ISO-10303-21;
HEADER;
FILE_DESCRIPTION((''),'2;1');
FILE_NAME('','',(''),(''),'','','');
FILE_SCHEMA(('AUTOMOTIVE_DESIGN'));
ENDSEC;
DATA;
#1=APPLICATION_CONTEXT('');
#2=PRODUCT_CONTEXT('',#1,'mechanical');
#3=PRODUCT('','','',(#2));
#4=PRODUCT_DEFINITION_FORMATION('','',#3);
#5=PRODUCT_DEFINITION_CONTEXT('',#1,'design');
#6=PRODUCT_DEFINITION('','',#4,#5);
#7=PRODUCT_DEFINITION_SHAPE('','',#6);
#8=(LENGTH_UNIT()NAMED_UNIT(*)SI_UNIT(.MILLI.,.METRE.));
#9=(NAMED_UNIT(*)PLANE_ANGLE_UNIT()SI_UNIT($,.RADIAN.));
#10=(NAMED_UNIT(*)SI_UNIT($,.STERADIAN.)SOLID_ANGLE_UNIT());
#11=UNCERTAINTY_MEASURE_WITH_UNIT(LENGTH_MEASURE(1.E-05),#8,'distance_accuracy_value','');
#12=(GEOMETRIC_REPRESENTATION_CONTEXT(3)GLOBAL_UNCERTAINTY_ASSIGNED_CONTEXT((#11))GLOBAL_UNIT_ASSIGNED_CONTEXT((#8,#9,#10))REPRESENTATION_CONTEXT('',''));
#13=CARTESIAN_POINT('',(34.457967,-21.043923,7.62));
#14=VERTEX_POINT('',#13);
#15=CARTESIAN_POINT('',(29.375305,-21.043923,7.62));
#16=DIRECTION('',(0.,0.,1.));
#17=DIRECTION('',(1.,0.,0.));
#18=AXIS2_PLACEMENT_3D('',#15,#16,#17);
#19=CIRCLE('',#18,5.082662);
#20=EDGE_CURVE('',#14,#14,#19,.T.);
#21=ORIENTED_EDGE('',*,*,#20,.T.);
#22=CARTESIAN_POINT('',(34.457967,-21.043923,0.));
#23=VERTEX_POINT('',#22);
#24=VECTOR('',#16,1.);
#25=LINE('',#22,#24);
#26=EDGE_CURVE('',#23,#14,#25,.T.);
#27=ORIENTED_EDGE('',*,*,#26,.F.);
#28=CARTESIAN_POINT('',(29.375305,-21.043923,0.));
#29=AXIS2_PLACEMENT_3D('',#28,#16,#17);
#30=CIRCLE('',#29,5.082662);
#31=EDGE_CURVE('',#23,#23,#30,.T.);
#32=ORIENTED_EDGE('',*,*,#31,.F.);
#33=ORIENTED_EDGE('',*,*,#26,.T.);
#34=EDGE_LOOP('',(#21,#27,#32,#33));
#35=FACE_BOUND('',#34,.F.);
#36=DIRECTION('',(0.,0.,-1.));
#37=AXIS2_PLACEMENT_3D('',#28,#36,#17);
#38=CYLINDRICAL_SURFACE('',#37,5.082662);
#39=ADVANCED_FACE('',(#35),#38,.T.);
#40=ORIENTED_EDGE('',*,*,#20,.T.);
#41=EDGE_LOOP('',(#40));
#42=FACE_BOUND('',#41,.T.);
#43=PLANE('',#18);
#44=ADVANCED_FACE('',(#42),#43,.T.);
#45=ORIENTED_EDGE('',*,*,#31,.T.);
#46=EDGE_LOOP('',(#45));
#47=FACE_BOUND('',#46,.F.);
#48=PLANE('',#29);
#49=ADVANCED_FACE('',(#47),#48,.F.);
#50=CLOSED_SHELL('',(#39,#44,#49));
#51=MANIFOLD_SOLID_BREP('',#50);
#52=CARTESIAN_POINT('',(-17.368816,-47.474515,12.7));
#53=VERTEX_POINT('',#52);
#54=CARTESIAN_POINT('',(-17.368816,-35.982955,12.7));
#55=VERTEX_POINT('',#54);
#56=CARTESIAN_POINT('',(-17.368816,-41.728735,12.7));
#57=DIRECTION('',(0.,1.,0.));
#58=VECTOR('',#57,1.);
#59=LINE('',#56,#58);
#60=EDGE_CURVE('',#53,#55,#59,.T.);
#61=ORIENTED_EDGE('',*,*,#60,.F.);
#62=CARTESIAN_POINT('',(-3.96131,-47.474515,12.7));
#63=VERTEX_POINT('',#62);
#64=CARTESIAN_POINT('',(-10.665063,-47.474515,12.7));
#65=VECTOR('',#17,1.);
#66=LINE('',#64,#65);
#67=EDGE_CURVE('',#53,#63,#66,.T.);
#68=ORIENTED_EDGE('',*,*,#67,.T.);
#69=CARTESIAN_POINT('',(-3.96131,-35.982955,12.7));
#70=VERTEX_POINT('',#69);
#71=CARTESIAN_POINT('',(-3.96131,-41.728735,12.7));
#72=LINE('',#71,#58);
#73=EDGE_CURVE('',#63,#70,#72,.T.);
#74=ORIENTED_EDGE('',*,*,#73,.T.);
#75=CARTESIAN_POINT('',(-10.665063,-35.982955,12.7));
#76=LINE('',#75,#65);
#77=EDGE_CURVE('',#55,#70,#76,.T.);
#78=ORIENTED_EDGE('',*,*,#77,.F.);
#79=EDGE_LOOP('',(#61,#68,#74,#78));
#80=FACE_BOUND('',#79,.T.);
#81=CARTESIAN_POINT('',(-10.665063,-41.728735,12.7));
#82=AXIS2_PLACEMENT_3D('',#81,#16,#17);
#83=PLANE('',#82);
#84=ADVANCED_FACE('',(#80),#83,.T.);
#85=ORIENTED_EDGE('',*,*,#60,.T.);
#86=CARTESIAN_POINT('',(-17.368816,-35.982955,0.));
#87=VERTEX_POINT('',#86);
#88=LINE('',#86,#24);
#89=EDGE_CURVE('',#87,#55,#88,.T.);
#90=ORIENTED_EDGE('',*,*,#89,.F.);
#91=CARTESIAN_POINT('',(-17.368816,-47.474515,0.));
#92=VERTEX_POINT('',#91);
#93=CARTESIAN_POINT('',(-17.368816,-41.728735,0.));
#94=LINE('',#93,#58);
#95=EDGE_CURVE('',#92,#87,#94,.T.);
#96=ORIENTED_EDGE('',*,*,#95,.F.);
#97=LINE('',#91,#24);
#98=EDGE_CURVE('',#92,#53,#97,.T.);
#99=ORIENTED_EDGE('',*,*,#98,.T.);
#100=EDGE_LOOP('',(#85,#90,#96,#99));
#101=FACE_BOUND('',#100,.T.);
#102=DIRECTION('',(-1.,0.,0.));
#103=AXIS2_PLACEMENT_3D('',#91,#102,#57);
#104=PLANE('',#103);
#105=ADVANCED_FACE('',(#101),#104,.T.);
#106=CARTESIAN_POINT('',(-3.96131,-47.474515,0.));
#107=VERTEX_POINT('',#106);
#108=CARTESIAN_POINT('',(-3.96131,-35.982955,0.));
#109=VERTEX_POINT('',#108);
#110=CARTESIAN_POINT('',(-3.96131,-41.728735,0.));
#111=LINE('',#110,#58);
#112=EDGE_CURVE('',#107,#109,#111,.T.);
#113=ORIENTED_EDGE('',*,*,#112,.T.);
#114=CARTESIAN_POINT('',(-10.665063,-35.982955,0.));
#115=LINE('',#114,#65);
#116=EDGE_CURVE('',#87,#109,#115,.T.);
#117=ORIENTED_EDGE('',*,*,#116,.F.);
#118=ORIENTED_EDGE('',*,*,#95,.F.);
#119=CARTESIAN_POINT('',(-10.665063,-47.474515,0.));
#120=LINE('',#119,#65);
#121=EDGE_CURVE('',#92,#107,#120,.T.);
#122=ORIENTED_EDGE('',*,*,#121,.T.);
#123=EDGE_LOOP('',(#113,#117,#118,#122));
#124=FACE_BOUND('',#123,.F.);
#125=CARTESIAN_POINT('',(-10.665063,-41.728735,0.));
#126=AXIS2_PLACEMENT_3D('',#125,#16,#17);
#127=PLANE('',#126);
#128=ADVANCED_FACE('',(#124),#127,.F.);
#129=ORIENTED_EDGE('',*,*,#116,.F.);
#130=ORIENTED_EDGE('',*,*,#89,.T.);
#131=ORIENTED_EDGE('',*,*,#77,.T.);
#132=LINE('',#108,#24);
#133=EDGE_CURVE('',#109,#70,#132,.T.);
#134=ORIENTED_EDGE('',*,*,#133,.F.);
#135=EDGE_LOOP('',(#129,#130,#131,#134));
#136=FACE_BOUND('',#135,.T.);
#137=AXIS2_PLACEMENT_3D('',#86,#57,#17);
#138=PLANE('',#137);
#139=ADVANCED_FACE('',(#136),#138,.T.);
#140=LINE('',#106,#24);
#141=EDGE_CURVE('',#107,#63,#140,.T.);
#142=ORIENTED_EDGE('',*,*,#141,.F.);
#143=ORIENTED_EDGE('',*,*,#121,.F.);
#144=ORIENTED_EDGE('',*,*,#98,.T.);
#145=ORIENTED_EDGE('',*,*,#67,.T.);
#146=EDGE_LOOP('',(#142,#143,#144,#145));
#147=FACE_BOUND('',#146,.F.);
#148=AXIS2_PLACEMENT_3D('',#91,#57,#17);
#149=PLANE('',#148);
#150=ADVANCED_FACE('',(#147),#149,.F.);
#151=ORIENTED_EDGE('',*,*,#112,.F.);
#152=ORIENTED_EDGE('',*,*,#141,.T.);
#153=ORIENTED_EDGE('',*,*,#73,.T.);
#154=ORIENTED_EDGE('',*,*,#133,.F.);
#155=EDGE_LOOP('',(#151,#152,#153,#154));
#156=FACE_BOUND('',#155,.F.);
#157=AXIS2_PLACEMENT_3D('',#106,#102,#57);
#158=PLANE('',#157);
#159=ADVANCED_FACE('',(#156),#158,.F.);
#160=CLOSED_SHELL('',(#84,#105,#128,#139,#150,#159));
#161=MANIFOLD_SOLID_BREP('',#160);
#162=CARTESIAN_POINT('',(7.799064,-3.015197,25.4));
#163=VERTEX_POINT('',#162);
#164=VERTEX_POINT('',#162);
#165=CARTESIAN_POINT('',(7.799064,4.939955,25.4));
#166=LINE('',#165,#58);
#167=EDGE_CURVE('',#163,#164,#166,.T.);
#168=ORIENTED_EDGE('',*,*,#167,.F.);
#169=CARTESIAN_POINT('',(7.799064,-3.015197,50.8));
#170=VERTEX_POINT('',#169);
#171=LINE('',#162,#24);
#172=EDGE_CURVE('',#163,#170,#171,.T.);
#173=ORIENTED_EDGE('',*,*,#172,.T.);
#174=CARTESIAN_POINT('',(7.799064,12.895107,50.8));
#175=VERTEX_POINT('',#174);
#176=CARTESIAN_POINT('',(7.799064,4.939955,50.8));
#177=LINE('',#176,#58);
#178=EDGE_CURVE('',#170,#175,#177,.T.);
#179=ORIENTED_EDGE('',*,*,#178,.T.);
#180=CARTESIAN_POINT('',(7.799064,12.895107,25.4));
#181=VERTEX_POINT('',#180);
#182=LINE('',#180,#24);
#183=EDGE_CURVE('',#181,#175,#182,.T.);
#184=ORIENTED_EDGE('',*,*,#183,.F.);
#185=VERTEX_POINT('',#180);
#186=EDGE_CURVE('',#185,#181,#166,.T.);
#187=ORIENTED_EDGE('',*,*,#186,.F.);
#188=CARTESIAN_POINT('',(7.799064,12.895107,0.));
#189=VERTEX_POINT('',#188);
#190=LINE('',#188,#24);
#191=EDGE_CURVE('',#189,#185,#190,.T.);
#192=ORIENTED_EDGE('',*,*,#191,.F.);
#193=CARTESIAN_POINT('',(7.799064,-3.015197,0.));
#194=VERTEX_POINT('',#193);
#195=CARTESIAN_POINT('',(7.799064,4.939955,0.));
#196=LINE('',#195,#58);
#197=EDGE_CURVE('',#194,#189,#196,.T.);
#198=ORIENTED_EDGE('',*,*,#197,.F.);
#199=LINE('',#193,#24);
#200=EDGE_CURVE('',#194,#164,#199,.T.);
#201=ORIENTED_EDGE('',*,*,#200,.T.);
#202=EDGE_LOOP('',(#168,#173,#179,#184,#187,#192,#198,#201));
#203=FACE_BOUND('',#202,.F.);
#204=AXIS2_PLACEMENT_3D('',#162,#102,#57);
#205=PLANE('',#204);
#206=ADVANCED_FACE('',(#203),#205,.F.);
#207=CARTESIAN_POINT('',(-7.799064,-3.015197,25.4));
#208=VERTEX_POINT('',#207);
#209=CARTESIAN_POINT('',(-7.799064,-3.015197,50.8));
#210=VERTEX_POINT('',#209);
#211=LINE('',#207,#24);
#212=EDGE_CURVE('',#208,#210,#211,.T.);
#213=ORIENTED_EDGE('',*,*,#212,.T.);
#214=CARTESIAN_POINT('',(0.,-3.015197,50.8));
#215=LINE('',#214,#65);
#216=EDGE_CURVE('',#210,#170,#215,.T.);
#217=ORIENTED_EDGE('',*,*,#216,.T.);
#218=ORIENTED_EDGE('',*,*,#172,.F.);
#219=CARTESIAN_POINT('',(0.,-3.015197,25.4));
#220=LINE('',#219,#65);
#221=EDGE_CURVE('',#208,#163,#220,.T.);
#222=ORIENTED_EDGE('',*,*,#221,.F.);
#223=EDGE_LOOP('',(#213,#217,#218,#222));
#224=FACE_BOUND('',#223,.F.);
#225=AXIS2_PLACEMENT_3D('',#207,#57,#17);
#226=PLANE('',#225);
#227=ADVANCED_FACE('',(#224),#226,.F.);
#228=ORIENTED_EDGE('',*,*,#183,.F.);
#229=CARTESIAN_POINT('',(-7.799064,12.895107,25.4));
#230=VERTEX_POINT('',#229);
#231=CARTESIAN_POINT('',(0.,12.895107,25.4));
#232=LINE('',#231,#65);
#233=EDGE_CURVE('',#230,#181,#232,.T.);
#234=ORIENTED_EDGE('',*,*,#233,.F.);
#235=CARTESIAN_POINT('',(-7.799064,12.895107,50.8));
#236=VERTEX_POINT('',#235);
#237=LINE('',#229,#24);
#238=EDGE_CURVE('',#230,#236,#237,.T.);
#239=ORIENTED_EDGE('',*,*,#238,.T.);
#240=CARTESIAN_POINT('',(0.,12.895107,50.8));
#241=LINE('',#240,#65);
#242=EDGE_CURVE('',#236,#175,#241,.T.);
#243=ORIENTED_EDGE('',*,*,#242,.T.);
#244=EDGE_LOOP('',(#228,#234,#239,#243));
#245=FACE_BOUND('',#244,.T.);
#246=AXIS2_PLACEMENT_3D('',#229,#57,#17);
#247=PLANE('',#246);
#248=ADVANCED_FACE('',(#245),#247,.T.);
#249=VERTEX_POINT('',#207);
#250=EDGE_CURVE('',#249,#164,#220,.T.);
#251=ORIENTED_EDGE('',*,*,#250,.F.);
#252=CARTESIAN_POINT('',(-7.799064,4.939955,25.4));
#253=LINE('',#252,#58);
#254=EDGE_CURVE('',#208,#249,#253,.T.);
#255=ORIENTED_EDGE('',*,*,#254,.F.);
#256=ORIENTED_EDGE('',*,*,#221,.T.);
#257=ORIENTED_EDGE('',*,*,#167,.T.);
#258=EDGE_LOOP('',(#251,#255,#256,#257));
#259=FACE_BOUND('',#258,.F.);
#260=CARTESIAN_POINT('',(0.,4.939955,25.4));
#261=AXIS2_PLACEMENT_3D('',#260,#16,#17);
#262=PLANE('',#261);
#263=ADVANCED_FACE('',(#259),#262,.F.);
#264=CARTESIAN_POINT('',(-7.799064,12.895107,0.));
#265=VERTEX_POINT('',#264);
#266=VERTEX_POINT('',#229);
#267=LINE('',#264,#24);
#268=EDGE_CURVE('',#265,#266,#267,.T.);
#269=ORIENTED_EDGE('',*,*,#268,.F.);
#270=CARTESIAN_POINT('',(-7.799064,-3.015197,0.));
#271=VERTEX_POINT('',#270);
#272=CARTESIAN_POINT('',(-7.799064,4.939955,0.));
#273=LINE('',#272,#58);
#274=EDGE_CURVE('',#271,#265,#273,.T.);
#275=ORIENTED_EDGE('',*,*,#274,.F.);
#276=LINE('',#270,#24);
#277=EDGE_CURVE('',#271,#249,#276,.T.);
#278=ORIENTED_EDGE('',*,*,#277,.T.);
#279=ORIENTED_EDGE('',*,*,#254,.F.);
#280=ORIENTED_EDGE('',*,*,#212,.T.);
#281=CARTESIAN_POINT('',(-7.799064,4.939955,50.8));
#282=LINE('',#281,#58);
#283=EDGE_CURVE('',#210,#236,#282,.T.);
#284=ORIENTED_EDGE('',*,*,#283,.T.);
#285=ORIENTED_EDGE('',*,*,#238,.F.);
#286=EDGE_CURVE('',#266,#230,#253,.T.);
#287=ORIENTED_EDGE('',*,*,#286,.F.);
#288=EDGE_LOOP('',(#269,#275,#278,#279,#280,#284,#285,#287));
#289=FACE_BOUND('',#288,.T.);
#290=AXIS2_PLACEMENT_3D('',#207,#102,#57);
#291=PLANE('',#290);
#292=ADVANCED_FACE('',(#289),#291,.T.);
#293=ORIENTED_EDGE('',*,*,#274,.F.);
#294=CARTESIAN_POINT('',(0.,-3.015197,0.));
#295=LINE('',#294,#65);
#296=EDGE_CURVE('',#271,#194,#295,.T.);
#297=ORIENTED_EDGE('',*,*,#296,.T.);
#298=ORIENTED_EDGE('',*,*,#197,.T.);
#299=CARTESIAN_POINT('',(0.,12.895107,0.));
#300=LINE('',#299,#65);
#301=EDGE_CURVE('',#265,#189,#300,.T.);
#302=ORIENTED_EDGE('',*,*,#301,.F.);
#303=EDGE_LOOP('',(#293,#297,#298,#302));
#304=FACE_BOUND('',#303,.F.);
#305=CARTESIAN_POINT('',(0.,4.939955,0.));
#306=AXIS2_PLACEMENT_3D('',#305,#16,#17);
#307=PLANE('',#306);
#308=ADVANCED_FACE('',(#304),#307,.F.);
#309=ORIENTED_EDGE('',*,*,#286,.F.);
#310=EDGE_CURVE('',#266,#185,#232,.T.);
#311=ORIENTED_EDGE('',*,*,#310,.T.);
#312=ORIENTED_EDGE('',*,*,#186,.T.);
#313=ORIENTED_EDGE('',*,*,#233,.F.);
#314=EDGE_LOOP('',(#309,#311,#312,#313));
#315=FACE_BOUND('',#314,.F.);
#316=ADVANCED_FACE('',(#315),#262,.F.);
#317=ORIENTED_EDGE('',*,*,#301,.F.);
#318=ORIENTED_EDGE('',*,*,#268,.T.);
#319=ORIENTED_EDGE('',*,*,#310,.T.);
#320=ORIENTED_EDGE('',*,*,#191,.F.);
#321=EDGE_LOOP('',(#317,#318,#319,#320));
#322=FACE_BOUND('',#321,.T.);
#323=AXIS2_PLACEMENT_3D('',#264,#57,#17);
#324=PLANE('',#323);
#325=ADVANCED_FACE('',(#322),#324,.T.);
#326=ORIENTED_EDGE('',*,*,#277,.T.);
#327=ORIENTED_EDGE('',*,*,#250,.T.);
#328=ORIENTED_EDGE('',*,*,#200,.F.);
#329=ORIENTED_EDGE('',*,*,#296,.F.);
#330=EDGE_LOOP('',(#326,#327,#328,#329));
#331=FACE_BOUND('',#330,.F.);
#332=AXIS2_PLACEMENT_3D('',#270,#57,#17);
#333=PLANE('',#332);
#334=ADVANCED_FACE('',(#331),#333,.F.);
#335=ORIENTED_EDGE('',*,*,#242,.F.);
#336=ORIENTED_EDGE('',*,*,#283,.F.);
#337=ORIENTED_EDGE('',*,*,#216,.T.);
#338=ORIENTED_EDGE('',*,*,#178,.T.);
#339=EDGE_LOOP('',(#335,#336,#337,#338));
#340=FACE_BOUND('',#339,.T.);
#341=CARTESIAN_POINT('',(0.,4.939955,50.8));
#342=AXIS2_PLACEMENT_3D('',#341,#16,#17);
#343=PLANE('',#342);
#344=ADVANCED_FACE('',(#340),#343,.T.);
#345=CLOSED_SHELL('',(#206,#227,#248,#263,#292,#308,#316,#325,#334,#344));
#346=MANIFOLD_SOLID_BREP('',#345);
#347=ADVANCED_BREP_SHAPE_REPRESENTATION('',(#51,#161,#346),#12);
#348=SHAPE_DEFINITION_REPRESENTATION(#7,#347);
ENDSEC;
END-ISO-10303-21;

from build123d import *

# Parameters (mm, degrees)
F0_W      = 15.598128
F0_H      = 15.910303
F1_DEPTH  = 25.4
F1_FACE_W = 15.598128
F1_FACE_H = 15.910304
F2_DEPTH  = 25.4
F3_W      = 13.407506
F3_H      = 11.49156
F4_DEPTH  = 12.7
F5_R      = 5.082662
F6_DEPTH  = 7.62


with BuildPart() as f1:
    # F0 (on Top) → F1 (new body)
    with BuildSketch(Plane.XY):
        with Locations((0, 4.939955)):
            Rectangle(F0_W, F0_H)
    extrude(amount=F1_DEPTH)

    # F1_face (on face) → F2 (join)
    with BuildSketch(Plane(origin=(0, 4.939955, 25.4), x_dir=(1, 0, 0), z_dir=(0, 0, 1))):
        Rectangle(F1_FACE_W, F1_FACE_H)
    extrude(amount=F2_DEPTH)


with BuildPart() as f4:
    # F3 (on Top) → F4 (new body)
    with BuildSketch(Plane.XY):
        with Locations((-10.665063, -41.728735)):
            Rectangle(F3_W, F3_H)
    extrude(amount=F4_DEPTH)


with BuildPart() as f6:
    # F5 (on Top) → F6 (new body)
    with BuildSketch(Plane.XY):
        with Locations((29.375305, -21.043923)):
            Circle(F5_R)
    extrude(amount=F6_DEPTH)


solid = Compound([f1.part, f4.part, f6.part])
